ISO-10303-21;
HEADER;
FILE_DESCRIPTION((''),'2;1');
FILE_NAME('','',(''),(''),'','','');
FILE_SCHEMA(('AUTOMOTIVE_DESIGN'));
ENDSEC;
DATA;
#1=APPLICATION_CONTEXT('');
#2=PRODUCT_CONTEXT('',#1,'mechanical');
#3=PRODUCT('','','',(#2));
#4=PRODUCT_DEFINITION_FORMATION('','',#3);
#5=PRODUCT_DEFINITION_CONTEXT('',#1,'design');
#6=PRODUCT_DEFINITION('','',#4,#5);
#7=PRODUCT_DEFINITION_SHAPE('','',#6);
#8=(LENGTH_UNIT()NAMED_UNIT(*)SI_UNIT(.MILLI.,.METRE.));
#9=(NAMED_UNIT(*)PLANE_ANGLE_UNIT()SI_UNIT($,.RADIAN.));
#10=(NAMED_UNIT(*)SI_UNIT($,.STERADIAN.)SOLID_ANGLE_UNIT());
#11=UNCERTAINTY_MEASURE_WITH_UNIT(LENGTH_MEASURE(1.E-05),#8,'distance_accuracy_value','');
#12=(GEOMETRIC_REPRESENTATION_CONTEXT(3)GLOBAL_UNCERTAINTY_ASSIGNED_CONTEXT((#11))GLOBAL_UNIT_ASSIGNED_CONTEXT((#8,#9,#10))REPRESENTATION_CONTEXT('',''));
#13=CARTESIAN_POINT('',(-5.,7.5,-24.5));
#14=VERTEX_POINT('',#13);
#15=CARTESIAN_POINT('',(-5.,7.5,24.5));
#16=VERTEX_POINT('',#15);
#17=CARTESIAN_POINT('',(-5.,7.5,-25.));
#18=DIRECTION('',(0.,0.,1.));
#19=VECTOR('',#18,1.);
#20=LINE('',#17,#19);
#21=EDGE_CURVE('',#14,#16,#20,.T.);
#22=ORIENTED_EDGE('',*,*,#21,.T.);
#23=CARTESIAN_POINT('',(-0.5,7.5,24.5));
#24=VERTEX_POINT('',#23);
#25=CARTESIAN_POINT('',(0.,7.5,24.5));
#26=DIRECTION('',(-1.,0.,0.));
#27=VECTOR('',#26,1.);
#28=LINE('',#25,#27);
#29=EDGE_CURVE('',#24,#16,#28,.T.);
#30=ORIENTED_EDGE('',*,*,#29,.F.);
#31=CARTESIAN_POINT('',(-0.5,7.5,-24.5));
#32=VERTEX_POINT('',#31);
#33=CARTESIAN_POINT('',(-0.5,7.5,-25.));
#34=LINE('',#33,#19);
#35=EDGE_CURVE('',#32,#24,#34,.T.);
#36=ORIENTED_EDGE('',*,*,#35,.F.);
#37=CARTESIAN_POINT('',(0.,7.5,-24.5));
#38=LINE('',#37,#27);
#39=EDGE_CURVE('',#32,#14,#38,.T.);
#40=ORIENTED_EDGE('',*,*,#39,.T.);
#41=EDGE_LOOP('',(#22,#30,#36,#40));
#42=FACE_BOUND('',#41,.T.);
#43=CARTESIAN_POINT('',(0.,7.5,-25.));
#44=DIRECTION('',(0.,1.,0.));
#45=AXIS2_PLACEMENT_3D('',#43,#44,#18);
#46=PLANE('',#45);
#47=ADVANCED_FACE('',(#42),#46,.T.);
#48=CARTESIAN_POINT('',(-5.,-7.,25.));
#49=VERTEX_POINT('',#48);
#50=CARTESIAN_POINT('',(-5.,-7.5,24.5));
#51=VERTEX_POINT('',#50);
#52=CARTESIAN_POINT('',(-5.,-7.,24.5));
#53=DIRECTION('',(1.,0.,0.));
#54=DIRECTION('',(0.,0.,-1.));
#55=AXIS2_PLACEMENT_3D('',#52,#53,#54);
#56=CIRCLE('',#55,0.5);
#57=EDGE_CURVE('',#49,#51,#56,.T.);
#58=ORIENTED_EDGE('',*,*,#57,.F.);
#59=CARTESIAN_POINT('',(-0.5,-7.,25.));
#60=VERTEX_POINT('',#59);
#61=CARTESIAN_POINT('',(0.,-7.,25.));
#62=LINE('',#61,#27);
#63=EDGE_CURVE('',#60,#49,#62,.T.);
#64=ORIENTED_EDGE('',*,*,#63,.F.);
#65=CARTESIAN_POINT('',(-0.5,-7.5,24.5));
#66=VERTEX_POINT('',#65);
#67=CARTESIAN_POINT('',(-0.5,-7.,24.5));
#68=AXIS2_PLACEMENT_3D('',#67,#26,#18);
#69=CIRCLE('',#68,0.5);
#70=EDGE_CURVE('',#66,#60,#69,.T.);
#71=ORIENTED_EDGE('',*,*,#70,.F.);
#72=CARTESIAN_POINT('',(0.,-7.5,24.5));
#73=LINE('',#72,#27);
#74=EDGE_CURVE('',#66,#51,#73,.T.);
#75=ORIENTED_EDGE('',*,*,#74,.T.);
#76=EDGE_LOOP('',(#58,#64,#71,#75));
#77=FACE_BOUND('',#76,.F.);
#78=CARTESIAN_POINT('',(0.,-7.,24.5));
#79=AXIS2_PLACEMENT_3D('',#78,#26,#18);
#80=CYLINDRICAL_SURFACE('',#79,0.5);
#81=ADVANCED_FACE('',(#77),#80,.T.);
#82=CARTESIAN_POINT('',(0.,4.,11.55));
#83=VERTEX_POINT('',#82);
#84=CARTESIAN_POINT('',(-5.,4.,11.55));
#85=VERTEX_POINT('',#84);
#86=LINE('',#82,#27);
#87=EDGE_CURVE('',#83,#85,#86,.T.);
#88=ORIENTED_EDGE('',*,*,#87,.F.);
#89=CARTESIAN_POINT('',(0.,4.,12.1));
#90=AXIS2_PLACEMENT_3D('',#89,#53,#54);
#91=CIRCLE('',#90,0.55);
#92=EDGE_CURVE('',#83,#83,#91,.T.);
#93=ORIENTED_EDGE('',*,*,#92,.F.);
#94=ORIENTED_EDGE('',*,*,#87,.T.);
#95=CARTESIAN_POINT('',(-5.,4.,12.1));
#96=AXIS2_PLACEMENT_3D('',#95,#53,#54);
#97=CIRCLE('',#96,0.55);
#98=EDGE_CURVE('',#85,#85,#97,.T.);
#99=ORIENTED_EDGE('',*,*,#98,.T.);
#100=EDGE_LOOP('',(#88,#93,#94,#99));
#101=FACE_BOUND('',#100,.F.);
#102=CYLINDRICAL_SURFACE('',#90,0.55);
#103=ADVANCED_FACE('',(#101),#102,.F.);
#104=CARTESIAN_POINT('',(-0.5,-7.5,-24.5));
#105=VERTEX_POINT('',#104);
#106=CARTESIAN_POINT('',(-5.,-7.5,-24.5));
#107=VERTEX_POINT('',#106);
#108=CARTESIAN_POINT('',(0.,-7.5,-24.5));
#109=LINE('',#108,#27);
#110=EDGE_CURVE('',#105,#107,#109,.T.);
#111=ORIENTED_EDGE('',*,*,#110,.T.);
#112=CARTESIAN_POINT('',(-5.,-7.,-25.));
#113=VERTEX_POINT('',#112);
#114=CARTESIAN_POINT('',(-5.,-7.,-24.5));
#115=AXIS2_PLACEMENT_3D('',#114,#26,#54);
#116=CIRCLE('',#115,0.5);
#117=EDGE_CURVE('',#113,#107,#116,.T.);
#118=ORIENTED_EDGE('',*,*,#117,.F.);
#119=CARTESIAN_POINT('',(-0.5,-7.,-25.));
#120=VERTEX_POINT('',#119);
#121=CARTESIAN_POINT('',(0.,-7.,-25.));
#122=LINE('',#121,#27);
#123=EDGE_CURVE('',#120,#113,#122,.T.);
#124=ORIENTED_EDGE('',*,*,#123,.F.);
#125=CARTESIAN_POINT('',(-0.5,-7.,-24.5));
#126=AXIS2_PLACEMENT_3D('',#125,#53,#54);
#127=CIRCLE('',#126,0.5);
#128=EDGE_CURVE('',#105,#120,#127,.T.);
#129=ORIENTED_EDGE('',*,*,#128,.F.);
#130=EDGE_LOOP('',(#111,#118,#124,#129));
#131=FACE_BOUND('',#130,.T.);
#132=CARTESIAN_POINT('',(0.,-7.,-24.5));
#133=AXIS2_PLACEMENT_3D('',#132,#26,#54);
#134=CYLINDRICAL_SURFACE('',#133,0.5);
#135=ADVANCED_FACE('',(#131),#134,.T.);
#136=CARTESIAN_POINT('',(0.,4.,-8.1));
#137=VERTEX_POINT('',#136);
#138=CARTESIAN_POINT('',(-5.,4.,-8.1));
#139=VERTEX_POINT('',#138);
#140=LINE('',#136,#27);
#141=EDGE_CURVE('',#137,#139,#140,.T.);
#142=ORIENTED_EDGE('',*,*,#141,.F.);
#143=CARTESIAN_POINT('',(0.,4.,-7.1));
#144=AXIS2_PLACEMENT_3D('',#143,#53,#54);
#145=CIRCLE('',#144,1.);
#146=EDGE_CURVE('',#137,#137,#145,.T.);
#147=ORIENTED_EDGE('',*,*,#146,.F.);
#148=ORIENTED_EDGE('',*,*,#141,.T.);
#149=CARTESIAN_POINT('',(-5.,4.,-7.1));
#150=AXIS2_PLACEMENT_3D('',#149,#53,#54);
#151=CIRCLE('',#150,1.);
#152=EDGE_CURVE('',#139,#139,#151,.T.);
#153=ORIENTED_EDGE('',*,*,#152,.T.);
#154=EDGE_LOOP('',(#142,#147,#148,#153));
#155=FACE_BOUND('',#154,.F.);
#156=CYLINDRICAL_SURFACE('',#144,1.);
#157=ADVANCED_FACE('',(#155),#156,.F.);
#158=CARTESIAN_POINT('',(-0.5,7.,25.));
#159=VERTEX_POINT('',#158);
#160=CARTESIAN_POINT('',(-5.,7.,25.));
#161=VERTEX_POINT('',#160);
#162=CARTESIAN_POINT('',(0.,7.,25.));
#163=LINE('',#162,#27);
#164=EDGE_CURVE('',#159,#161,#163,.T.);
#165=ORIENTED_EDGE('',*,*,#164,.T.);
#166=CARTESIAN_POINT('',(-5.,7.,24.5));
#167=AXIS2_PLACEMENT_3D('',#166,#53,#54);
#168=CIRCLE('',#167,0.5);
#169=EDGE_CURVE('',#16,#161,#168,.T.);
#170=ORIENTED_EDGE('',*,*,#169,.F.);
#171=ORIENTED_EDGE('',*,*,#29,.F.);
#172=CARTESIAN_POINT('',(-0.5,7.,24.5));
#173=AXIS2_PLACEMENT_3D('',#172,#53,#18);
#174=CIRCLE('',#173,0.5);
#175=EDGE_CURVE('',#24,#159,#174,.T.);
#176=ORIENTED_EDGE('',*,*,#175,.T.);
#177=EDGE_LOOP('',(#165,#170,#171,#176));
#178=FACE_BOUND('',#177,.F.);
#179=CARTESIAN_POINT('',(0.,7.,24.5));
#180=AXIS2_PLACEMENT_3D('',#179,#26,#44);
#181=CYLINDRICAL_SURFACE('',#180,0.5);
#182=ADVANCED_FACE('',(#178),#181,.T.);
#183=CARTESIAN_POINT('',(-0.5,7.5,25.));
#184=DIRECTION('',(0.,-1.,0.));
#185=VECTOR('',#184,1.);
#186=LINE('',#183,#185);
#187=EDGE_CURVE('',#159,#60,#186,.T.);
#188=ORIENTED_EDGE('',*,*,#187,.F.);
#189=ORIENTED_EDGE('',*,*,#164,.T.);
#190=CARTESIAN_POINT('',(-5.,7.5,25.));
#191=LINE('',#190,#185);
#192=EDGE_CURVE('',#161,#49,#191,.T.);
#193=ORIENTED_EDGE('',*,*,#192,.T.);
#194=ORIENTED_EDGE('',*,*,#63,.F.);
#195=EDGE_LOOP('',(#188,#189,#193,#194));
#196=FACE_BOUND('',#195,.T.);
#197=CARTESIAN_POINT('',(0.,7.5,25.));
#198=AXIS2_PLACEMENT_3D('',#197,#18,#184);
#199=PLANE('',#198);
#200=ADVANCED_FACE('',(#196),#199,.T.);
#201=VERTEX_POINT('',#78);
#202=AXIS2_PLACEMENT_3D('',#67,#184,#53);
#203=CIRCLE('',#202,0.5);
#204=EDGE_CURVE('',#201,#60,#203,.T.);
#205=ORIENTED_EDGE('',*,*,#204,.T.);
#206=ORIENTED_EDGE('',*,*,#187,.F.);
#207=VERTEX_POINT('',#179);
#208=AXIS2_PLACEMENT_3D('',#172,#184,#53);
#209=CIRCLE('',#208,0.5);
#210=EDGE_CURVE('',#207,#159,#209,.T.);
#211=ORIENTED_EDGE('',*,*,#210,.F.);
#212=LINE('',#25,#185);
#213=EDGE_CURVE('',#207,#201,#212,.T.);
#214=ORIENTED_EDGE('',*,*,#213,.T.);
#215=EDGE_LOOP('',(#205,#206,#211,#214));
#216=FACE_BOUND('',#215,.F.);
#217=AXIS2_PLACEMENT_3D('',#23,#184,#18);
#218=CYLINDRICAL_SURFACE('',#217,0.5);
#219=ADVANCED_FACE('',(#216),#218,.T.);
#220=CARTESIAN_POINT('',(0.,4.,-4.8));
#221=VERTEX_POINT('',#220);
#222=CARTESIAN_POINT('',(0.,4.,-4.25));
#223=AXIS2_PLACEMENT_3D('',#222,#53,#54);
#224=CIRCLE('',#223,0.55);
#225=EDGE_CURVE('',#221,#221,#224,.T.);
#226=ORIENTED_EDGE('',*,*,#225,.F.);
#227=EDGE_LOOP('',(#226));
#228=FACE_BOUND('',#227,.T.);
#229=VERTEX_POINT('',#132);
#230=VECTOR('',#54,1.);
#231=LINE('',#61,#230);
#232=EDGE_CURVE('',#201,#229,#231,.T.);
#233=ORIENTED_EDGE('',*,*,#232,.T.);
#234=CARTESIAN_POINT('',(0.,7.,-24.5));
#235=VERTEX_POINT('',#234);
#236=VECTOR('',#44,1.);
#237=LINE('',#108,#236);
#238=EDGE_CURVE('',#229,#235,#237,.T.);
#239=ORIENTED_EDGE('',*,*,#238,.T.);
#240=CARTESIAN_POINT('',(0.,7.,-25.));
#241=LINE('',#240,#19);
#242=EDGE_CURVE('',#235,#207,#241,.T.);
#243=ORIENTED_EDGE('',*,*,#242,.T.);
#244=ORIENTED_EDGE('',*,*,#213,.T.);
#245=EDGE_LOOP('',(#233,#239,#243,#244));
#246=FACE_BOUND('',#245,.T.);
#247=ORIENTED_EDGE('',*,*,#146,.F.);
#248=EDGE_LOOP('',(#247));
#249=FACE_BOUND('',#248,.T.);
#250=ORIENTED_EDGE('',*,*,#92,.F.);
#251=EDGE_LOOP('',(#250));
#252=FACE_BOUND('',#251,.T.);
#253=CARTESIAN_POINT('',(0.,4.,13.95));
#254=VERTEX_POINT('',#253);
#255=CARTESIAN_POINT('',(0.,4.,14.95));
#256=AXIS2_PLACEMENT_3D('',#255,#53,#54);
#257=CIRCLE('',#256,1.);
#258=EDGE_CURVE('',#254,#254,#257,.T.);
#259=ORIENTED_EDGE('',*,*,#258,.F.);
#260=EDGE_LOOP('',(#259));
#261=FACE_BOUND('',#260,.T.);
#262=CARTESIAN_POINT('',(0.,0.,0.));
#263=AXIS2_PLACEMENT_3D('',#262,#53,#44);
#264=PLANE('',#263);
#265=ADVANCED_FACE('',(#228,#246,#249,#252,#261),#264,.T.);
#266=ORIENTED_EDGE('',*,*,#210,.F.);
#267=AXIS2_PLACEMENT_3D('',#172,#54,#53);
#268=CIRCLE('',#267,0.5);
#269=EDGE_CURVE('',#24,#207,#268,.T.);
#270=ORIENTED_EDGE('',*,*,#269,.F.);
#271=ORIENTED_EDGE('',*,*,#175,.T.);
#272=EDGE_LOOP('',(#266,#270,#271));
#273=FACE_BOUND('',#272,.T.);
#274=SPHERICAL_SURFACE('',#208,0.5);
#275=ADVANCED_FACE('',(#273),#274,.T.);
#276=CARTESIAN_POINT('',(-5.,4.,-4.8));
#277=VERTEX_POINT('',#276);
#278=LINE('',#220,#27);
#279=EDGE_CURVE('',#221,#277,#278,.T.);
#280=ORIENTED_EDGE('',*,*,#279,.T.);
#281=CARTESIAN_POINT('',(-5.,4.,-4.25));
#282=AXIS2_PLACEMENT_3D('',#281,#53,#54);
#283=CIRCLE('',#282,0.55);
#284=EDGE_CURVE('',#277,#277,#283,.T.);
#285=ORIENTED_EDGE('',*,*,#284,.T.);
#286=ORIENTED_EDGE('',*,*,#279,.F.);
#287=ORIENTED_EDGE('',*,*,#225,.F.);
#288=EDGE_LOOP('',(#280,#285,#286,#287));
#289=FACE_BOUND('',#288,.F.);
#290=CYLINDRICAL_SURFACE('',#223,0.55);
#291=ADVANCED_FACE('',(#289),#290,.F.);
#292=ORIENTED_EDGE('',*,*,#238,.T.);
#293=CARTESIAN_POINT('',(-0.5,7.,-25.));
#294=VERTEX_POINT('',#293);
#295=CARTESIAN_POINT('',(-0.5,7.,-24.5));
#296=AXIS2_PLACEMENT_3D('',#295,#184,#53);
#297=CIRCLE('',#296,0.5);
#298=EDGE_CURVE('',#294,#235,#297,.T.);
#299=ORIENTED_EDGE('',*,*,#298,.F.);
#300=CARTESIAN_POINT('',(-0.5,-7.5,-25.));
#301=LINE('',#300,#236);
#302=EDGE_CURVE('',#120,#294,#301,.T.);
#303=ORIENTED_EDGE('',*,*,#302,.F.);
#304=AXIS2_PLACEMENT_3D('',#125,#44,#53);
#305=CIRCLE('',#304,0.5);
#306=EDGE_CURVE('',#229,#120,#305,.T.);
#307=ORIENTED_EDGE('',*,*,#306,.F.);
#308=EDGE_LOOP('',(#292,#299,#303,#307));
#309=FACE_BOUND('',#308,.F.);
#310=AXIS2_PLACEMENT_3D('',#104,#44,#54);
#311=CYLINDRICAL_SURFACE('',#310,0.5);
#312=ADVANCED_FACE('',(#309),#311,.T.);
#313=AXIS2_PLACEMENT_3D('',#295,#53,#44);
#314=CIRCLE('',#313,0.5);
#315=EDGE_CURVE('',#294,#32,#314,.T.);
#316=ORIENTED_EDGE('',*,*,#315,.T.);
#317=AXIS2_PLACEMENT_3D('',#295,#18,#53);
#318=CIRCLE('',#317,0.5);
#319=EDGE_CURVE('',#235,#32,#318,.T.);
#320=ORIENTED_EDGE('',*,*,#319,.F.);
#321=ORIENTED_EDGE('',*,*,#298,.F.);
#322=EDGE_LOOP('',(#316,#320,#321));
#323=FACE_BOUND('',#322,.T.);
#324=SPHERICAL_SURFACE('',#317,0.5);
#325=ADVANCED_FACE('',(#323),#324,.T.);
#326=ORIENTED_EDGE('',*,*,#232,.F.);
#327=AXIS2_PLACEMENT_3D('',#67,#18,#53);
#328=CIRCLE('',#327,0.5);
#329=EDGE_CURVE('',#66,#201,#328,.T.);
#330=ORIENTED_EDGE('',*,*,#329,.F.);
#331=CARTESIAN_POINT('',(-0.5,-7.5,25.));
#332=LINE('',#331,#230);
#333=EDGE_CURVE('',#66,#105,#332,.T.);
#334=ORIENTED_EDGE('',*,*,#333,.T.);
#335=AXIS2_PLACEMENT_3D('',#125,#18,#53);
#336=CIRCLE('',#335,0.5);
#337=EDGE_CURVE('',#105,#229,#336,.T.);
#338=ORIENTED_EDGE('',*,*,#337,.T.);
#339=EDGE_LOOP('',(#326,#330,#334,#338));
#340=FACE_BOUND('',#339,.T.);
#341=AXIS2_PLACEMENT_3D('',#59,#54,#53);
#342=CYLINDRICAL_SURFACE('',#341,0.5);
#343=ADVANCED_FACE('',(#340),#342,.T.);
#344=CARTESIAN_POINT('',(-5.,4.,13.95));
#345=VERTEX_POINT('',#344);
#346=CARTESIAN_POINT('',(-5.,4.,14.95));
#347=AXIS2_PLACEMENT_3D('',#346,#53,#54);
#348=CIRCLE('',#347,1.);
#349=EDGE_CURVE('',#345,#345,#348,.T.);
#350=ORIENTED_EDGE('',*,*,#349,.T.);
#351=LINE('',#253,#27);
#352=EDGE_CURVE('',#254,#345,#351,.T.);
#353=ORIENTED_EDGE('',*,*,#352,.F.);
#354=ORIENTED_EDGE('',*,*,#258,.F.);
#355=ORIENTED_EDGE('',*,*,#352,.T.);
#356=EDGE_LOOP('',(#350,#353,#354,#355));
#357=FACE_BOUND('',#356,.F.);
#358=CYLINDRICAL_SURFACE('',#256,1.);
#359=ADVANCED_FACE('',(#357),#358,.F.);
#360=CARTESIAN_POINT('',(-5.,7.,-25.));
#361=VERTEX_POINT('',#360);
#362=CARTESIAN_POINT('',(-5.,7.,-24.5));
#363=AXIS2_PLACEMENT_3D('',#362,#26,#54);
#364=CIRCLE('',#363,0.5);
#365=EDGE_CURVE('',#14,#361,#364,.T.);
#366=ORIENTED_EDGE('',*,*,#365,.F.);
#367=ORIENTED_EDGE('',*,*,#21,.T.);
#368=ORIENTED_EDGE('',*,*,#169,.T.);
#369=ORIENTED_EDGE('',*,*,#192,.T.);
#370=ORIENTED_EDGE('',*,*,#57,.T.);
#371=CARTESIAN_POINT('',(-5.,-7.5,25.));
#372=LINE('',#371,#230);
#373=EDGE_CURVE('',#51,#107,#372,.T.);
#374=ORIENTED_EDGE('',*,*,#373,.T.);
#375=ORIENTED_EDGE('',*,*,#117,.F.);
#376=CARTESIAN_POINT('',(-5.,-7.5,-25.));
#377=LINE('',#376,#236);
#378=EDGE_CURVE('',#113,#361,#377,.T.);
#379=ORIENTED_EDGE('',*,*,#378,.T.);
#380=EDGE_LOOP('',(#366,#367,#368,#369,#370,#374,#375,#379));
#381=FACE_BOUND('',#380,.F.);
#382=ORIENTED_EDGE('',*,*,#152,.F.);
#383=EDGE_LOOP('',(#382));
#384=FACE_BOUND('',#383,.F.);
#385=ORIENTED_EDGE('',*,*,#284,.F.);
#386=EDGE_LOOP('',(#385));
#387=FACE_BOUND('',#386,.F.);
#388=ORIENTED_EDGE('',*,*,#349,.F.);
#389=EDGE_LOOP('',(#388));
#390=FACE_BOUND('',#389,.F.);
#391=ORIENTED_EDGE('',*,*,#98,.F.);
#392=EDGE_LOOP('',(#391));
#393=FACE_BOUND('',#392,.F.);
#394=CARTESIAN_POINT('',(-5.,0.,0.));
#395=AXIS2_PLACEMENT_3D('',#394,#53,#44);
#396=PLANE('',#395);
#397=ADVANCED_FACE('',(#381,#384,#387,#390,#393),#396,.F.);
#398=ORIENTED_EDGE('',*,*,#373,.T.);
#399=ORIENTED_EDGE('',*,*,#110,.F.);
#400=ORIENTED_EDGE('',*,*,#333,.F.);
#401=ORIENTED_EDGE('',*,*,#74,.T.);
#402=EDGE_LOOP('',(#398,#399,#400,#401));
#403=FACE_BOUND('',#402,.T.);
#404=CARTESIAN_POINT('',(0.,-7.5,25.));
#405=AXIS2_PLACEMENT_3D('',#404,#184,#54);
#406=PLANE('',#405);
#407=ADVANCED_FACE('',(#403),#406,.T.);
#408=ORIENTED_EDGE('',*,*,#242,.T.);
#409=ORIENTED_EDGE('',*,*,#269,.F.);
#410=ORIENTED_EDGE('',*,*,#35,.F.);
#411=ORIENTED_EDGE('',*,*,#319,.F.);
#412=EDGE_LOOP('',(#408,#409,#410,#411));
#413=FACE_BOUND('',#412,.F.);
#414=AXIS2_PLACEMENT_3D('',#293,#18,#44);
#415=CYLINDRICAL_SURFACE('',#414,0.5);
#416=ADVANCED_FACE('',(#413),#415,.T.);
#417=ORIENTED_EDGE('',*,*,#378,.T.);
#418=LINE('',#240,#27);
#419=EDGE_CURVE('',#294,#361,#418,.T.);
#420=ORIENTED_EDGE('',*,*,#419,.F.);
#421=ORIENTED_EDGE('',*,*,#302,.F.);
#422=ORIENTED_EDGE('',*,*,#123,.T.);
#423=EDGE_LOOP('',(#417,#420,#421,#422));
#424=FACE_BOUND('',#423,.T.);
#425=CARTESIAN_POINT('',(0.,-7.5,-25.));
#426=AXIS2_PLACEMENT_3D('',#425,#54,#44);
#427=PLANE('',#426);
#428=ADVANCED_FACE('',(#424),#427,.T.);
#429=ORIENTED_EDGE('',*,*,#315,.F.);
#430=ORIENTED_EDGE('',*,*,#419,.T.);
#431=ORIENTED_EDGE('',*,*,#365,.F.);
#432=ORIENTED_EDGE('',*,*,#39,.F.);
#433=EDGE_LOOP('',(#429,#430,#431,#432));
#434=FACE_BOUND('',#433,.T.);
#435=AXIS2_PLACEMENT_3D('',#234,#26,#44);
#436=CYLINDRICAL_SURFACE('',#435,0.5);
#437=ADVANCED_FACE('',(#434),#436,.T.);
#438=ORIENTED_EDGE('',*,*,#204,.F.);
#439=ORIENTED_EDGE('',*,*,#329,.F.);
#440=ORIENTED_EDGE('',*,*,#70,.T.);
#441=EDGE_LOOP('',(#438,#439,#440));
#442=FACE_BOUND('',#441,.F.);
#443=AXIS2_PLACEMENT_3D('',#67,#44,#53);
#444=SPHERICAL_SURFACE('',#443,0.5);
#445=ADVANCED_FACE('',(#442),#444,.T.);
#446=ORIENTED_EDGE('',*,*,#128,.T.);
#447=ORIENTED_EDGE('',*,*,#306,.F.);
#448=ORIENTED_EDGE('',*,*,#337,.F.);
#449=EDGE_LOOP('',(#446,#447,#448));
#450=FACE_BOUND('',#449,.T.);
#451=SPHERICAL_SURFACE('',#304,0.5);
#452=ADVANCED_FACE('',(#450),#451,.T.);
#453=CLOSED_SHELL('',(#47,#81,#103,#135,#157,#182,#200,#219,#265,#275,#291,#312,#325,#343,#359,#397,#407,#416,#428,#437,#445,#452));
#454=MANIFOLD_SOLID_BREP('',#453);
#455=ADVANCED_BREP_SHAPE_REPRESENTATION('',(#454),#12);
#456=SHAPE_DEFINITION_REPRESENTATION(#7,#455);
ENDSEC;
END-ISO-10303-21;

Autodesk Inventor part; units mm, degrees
ref_plane "YZ Plane" through (0, 0, 0) normal (1, 0, 0) x (0, 1, 0)
ref_plane "XZ Plane" through (0, 0, 0) normal (0, 1, 0) x (-1, 0, 0)
ref_plane "XY Plane" through (0, 0, 0) normal (0, 0, 1) x (1, 0, 0)
sketch "Sketch1" plane through (0, 0, 0) normal (1, 0, 0) x (0, 1, 0)
  line L0 (7.5, 25) -> (-7.5, 25)
  line L1 (-7.5, 25) -> (-7.5, -25)
  line L2 (-7.5, -25) -> (7.5, -25)
  line L3 (7.5, -25) -> (7.5, 25)
  point P0 (0, 0)
  dimension "d0" = 50
  dimension "d1" = 25
  dimension "d2" = 15
  dimension "d3" = 7.5
extrude "Extrusion1" add sketch "Sketch1" against normal blind 5
sketch "Sketch2" plane through (0, 0, 0) normal (1, 0, 0) x (0, 0, -1)
  circle A0 centre (-12.1, 4) radius 0.55
  circle A1 centre (-14.95, 4) radius 1
  circle A2 centre (4.25, 4) radius 0.55
  circle A3 centre (7.1, 4) radius 1
  line L0 (25, -7.5) -> (25, 7.5) projected
  line L1 (-25, 7.5) -> (-25, -7.5) projected
  line L2 (-14.95, 4) -> (7.1, 4) construction
  line L3 (-25, -7.5) -> (25, -7.5) projected
  point P0 (0, 0)
  dimension "d6" = 2
  dimension "d7" = 2
  dimension "d8" = 1.1
  dimension "d9" = 1.1
  dimension "d11" = 2.85
  dimension "d13" = 2.85
  dimension "d14" = 10.05
  dimension "d15" = 11.5
  dimension "d19" = 16.35
extrude "Extrusion2" cut sketch "Sketch2" against normal up to surface (5 mm away)
fillet "Fillet1" radius 0.5 8 edges at (0, 0, 25) (0, 7.5, 0) (0, 0, -25) (0, -7.5, 0) (-2.5, 7.5, 25) (-2.5, -7.5, 25) (-2.5, 7.5, -25) (-2.5, -7.5, -25)
properties part number "Backplate"
